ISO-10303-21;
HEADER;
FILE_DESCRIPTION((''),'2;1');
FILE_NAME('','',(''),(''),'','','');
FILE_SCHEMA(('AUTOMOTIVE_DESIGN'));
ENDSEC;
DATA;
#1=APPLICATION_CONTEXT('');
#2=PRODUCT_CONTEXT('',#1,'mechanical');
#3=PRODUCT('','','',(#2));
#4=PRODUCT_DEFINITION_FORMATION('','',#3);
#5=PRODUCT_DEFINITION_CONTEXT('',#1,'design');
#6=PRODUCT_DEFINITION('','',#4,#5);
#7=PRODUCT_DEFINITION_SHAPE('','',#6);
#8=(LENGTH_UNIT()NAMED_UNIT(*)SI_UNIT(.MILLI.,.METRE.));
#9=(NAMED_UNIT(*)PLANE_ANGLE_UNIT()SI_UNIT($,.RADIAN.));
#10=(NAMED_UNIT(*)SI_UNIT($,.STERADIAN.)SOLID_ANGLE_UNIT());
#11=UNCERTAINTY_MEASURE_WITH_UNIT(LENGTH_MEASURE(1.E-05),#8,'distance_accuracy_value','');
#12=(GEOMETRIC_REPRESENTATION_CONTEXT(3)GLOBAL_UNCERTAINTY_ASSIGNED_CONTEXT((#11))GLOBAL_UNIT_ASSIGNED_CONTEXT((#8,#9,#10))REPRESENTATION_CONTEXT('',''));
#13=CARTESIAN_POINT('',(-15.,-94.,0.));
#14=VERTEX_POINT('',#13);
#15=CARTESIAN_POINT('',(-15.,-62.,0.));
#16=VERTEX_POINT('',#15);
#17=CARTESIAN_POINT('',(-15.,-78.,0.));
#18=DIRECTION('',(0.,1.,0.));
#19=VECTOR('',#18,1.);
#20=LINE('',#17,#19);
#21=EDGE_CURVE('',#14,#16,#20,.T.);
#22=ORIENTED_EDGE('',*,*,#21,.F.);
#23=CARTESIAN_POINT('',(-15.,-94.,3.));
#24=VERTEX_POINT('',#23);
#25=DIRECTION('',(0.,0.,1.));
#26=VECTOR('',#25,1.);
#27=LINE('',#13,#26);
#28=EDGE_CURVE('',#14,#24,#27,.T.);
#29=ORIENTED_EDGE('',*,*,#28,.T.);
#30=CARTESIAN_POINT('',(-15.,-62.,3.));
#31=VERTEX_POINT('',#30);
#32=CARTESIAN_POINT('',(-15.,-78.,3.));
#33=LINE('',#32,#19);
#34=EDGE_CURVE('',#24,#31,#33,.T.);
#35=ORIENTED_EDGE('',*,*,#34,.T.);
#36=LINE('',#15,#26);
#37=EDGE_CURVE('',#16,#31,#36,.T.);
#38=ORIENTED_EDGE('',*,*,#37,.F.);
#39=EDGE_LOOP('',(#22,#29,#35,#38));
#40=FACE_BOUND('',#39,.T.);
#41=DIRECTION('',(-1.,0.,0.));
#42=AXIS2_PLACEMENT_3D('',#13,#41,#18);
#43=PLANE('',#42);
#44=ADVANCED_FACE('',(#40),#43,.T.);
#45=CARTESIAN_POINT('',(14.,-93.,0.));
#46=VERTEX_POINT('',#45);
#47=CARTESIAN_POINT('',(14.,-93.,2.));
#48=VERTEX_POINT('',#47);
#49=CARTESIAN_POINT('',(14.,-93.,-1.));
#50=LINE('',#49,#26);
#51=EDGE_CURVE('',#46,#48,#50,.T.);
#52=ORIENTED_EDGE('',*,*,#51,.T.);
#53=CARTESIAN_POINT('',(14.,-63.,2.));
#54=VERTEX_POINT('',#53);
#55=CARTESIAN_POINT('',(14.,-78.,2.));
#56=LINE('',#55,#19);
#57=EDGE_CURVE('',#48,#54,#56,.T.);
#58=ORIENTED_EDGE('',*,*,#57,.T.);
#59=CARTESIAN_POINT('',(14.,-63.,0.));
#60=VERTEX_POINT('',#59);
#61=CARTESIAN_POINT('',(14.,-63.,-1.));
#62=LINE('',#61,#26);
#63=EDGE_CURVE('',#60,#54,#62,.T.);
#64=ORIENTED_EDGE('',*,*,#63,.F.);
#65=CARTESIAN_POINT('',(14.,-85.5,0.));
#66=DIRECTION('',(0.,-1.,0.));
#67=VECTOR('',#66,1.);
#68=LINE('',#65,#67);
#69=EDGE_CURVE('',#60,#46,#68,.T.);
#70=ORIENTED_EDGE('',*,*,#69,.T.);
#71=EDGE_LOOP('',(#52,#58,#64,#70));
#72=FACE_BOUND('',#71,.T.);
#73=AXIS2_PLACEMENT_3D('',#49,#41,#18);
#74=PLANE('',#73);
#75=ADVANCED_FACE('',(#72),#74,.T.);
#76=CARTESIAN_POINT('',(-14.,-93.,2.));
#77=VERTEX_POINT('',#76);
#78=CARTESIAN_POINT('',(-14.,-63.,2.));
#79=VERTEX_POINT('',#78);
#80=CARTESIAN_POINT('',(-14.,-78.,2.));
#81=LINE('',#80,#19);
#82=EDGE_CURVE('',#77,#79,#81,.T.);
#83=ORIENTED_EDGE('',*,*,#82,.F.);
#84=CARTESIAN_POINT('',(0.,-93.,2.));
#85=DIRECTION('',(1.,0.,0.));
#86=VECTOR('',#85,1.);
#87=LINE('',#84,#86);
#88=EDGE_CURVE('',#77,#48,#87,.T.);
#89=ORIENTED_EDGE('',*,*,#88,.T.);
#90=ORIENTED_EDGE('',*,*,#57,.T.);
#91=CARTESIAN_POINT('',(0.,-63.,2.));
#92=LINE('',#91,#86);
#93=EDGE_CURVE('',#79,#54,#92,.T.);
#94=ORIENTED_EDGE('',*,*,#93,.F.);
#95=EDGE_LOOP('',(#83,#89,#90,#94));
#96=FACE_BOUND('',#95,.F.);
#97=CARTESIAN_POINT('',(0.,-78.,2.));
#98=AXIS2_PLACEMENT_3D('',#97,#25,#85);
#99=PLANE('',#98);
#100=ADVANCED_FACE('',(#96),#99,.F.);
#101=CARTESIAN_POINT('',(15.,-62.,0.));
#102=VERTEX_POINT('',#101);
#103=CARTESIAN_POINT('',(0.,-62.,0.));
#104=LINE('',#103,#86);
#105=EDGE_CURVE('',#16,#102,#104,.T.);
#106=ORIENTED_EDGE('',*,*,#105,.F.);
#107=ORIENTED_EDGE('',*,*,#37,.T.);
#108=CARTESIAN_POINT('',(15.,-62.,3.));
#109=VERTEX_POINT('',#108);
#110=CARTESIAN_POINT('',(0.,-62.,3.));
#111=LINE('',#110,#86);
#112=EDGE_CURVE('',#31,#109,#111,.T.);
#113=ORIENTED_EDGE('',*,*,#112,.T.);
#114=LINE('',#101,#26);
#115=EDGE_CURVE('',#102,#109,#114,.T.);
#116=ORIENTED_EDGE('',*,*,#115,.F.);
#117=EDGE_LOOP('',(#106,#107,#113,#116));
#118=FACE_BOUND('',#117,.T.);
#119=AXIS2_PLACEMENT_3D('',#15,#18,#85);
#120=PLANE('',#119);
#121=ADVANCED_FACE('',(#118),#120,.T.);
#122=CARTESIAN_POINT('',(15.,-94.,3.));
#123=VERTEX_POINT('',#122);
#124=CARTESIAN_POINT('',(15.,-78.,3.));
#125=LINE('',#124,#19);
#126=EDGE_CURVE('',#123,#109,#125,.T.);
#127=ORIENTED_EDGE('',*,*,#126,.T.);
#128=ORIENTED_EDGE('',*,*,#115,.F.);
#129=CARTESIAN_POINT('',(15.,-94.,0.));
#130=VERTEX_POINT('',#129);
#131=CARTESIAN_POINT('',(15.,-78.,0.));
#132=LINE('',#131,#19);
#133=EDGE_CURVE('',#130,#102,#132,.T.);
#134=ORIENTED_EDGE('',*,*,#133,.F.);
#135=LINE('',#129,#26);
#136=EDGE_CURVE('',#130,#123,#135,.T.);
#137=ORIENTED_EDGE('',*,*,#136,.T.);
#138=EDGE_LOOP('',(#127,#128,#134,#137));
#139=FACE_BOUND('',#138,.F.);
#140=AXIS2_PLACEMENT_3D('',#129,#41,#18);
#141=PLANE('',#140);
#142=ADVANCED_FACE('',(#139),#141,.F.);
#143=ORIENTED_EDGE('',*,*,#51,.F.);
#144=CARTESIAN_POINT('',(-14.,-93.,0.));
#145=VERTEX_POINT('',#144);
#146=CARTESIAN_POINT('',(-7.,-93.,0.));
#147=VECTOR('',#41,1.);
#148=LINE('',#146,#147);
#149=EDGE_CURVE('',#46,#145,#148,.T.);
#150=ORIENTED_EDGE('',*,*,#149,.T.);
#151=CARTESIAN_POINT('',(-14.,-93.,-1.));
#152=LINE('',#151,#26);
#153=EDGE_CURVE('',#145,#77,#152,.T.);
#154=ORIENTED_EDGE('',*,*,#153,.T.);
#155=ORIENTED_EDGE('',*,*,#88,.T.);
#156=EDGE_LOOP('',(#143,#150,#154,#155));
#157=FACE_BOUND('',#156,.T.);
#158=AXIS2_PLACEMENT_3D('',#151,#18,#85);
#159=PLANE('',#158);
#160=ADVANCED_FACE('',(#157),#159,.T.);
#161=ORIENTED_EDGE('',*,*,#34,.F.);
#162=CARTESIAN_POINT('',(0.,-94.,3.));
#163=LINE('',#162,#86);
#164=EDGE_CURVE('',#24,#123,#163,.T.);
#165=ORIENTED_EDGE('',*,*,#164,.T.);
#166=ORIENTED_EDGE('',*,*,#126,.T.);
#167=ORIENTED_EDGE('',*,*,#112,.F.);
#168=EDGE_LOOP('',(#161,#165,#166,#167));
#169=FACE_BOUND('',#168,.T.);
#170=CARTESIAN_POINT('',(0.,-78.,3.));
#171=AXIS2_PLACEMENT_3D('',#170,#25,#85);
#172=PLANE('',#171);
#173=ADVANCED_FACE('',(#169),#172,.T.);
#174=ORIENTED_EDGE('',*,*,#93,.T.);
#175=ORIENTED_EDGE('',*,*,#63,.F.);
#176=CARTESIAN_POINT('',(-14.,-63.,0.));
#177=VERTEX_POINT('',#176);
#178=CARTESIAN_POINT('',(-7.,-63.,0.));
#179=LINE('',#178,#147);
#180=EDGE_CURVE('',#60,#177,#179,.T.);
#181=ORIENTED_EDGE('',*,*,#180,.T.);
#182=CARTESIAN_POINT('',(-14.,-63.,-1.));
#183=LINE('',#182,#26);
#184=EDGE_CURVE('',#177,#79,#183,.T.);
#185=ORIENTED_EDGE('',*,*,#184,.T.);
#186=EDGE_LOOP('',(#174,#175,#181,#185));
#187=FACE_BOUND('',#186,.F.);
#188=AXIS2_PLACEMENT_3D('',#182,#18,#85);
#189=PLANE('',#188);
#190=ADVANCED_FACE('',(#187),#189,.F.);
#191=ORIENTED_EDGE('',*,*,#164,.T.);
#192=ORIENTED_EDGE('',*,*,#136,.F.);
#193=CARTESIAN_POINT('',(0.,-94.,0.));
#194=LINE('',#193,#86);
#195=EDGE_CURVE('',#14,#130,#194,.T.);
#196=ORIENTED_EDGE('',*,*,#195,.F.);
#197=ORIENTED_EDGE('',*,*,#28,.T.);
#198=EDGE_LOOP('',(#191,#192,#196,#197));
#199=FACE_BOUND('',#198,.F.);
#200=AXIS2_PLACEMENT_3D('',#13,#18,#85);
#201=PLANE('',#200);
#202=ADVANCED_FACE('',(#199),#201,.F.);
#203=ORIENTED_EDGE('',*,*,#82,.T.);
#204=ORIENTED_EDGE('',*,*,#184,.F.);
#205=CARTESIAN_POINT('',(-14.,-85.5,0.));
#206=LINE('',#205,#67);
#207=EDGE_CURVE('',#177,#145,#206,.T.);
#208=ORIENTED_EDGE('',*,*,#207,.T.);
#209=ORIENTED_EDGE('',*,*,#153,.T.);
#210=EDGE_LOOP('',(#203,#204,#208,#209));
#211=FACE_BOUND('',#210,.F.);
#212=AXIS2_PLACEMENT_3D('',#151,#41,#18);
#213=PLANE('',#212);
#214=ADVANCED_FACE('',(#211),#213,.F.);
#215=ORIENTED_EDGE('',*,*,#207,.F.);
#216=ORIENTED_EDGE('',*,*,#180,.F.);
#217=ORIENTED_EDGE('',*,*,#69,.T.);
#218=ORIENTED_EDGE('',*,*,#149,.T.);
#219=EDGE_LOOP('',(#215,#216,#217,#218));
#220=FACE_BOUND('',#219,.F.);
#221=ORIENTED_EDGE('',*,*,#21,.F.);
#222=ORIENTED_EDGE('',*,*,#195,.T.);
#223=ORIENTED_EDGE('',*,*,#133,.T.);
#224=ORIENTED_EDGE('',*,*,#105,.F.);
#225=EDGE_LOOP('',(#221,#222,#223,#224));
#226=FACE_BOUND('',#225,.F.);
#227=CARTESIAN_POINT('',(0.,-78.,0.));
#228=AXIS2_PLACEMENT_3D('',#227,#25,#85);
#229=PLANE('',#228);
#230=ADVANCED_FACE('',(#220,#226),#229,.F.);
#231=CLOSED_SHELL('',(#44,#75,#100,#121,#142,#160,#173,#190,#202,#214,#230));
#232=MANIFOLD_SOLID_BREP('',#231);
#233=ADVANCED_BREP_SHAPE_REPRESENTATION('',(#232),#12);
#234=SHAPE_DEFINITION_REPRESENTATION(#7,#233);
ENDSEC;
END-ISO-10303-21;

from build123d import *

# Parameters (mm, degrees)
BOX003_W     = 28
BOX003_H     = 30
BOX003_DEPTH = 3
BOX004_W     = 30
BOX004_H     = 32
BOX004_DEPTH = 3


with BuildPart() as pcb_lcd:
    # Box003 → Box003 (new body)
    with BuildSketch(Plane(origin=(-14, -93, -1), x_dir=(1, 0, 0), z_dir=(0, 0, 1))):
        with Locations((14, 15)):
            Rectangle(BOX003_W, BOX003_H)
    extrude(amount=BOX003_DEPTH)


with BuildPart() as cut002:
    # Box004 → Box004 (new body)
    with BuildSketch(Plane(origin=(-15, -94, 0), x_dir=(1, 0, 0), z_dir=(0, 0, 1))):
        with Locations((15, 16)):
            Rectangle(BOX004_W, BOX004_H)
    extrude(amount=BOX004_DEPTH)

    # Cut002: cut pcb_lcd
    add(pcb_lcd.part, mode=Mode.SUBTRACT)


solid = cut002.part
